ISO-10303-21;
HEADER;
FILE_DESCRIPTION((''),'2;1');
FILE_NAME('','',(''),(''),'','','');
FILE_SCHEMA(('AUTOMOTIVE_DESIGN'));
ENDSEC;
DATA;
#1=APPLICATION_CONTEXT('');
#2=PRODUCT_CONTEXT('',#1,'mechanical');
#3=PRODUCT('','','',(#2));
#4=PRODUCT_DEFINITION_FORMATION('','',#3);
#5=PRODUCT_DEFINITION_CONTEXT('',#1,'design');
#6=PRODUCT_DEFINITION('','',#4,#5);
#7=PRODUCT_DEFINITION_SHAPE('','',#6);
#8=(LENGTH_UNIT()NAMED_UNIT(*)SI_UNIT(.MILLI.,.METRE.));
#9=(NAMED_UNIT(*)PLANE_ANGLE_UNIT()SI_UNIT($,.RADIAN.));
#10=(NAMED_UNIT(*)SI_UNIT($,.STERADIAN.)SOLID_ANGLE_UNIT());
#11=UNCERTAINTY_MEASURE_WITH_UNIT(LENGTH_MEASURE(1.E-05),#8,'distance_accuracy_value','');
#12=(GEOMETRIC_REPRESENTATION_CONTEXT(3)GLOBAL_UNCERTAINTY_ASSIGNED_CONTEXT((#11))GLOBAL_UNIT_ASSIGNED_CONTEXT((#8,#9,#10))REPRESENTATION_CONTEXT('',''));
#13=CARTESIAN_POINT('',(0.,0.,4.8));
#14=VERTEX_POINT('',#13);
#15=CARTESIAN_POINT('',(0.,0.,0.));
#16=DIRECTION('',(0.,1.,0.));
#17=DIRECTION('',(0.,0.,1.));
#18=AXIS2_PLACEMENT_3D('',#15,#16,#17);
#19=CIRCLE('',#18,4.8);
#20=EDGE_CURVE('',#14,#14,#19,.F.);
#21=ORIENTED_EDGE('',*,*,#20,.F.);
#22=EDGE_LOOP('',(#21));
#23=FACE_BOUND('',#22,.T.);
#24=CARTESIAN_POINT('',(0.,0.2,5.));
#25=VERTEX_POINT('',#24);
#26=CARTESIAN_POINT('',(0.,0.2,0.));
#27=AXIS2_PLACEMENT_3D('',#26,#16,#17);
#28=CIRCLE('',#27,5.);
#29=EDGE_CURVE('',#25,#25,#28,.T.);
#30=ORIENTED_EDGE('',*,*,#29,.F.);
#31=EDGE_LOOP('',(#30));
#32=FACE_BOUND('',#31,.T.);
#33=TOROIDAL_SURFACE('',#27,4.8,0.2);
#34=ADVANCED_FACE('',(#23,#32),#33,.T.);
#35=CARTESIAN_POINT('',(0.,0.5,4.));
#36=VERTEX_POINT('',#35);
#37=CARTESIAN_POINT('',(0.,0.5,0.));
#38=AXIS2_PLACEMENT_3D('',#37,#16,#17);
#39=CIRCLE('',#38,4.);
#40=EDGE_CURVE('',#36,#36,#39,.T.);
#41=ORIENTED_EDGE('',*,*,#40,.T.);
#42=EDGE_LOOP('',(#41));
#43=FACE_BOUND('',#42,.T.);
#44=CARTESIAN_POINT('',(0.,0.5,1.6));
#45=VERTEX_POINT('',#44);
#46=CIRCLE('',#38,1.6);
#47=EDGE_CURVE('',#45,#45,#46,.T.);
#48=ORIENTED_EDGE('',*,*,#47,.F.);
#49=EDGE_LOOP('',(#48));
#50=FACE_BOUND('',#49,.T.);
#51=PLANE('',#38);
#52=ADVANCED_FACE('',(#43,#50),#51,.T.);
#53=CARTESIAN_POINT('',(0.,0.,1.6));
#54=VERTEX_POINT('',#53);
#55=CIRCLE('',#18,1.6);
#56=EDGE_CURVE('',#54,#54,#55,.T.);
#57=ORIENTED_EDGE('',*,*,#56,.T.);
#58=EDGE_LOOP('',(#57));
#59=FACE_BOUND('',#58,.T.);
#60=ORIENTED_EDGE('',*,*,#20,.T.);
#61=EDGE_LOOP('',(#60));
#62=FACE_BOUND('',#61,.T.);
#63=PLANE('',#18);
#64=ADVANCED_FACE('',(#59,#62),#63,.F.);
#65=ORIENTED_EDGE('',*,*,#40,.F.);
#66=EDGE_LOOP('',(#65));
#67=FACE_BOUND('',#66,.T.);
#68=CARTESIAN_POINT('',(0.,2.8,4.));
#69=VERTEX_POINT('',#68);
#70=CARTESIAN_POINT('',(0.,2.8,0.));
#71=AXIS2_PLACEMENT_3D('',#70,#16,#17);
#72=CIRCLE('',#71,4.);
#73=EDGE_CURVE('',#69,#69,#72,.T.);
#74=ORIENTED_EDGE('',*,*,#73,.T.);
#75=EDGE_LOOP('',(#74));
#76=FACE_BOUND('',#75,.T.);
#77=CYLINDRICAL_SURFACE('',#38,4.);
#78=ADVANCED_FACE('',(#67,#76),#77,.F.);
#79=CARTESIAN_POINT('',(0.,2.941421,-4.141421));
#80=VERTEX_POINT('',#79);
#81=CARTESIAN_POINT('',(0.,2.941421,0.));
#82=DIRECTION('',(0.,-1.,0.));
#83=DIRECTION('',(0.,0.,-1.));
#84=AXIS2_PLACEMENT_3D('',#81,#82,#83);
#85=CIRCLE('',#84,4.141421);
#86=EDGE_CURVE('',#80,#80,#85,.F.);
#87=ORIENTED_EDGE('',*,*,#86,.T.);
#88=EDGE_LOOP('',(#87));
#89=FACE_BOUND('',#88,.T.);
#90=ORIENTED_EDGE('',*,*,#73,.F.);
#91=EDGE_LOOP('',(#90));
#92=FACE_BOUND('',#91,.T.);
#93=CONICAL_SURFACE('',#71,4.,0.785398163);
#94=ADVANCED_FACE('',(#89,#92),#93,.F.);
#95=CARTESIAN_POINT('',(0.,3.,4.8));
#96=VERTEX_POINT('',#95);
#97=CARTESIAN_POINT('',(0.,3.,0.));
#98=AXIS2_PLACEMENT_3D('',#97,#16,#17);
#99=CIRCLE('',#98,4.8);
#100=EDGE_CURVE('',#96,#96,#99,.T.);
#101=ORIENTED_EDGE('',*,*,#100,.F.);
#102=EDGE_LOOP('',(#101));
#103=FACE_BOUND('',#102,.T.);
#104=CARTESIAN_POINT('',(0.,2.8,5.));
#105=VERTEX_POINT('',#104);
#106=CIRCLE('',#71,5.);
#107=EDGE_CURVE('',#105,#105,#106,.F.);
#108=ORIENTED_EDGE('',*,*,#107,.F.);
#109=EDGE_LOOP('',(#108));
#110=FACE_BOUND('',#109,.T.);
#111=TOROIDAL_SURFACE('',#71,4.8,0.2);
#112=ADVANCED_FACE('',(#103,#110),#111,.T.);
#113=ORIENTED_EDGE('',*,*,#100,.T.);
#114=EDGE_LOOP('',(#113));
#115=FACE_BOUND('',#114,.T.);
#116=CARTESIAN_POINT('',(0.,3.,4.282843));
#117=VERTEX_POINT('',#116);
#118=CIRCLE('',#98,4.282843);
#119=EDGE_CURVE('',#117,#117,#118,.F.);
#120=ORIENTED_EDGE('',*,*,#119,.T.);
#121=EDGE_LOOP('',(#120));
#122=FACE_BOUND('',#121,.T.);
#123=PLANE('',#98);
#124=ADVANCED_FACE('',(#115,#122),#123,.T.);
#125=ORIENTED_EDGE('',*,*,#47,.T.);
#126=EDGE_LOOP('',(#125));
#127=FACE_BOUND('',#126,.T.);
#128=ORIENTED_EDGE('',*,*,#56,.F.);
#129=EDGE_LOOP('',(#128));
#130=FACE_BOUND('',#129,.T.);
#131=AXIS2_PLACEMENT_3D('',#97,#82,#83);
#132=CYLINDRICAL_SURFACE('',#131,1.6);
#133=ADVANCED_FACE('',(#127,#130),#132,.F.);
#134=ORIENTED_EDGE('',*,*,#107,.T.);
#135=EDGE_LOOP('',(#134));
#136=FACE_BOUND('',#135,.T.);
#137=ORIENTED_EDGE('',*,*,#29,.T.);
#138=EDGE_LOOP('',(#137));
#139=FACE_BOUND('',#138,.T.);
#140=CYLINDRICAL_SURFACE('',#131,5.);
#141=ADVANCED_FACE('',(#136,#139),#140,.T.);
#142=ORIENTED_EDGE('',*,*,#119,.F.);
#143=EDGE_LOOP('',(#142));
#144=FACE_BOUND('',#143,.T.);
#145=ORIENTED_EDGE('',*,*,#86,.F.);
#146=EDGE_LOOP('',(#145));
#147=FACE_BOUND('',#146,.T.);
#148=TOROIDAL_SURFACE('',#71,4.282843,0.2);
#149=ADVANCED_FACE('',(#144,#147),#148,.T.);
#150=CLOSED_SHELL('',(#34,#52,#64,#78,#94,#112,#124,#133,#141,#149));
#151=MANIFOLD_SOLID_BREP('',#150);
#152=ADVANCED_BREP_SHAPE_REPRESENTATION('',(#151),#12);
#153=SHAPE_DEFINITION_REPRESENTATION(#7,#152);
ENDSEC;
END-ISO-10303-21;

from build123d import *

# Parameters (mm, degrees)
SKETCH1_R           = 5
SKETCH1_R_2         = 1.6
BOSS_EXTRUDE1_DEPTH = 3
SKETCH2_R           = 4
CUT_EXTRUDE1_DEPTH  = 2.5
CHAMFER1_SIZE       = 0.2
FILLET2_R           = 0.2


with BuildPart() as part:
    # Sketch1 → Boss-Extrude1 (new body)
    with BuildSketch(Plane(origin=(0, 0, 0), x_dir=(1, 0, 0), z_dir=(0, 1, 0))):
        with Locations(Location((0, 0, 0), (0, 0, 270))):
            Circle(SKETCH1_R)
        with Locations(Location((0, 0, 0), (0, 0, 270))):
            Circle(SKETCH1_R_2, mode=Mode.SUBTRACT)
    extrude(amount=BOSS_EXTRUDE1_DEPTH)

    # Sketch2 → Cut-Extrude1 (cut)
    with BuildSketch(Plane(origin=(0, 3, 0), x_dir=(1, 0, 0), z_dir=(0, 1, 0))):
        with Locations(Location((0, 0, 0), (0, 0, 270))):
            Circle(SKETCH2_R)
    extrude(amount=-CUT_EXTRUDE1_DEPTH, mode=Mode.SUBTRACT)

    # Chamfer1
    chamfer1_edges = [part.edges().sort_by_distance(p)[0] for p in [
        (0, 3, -4),
    ]]
    chamfer(chamfer1_edges, length=CHAMFER1_SIZE)

    # Fillet2
    fillet2_edges = [part.edges().sort_by_distance(p)[0] for p in [
        (0, 3, -4.2),
        (0, 0, -5),
        (0, 3, -5),
    ]]
    fillet(fillet2_edges, radius=FILLET2_R)


solid = part.part
